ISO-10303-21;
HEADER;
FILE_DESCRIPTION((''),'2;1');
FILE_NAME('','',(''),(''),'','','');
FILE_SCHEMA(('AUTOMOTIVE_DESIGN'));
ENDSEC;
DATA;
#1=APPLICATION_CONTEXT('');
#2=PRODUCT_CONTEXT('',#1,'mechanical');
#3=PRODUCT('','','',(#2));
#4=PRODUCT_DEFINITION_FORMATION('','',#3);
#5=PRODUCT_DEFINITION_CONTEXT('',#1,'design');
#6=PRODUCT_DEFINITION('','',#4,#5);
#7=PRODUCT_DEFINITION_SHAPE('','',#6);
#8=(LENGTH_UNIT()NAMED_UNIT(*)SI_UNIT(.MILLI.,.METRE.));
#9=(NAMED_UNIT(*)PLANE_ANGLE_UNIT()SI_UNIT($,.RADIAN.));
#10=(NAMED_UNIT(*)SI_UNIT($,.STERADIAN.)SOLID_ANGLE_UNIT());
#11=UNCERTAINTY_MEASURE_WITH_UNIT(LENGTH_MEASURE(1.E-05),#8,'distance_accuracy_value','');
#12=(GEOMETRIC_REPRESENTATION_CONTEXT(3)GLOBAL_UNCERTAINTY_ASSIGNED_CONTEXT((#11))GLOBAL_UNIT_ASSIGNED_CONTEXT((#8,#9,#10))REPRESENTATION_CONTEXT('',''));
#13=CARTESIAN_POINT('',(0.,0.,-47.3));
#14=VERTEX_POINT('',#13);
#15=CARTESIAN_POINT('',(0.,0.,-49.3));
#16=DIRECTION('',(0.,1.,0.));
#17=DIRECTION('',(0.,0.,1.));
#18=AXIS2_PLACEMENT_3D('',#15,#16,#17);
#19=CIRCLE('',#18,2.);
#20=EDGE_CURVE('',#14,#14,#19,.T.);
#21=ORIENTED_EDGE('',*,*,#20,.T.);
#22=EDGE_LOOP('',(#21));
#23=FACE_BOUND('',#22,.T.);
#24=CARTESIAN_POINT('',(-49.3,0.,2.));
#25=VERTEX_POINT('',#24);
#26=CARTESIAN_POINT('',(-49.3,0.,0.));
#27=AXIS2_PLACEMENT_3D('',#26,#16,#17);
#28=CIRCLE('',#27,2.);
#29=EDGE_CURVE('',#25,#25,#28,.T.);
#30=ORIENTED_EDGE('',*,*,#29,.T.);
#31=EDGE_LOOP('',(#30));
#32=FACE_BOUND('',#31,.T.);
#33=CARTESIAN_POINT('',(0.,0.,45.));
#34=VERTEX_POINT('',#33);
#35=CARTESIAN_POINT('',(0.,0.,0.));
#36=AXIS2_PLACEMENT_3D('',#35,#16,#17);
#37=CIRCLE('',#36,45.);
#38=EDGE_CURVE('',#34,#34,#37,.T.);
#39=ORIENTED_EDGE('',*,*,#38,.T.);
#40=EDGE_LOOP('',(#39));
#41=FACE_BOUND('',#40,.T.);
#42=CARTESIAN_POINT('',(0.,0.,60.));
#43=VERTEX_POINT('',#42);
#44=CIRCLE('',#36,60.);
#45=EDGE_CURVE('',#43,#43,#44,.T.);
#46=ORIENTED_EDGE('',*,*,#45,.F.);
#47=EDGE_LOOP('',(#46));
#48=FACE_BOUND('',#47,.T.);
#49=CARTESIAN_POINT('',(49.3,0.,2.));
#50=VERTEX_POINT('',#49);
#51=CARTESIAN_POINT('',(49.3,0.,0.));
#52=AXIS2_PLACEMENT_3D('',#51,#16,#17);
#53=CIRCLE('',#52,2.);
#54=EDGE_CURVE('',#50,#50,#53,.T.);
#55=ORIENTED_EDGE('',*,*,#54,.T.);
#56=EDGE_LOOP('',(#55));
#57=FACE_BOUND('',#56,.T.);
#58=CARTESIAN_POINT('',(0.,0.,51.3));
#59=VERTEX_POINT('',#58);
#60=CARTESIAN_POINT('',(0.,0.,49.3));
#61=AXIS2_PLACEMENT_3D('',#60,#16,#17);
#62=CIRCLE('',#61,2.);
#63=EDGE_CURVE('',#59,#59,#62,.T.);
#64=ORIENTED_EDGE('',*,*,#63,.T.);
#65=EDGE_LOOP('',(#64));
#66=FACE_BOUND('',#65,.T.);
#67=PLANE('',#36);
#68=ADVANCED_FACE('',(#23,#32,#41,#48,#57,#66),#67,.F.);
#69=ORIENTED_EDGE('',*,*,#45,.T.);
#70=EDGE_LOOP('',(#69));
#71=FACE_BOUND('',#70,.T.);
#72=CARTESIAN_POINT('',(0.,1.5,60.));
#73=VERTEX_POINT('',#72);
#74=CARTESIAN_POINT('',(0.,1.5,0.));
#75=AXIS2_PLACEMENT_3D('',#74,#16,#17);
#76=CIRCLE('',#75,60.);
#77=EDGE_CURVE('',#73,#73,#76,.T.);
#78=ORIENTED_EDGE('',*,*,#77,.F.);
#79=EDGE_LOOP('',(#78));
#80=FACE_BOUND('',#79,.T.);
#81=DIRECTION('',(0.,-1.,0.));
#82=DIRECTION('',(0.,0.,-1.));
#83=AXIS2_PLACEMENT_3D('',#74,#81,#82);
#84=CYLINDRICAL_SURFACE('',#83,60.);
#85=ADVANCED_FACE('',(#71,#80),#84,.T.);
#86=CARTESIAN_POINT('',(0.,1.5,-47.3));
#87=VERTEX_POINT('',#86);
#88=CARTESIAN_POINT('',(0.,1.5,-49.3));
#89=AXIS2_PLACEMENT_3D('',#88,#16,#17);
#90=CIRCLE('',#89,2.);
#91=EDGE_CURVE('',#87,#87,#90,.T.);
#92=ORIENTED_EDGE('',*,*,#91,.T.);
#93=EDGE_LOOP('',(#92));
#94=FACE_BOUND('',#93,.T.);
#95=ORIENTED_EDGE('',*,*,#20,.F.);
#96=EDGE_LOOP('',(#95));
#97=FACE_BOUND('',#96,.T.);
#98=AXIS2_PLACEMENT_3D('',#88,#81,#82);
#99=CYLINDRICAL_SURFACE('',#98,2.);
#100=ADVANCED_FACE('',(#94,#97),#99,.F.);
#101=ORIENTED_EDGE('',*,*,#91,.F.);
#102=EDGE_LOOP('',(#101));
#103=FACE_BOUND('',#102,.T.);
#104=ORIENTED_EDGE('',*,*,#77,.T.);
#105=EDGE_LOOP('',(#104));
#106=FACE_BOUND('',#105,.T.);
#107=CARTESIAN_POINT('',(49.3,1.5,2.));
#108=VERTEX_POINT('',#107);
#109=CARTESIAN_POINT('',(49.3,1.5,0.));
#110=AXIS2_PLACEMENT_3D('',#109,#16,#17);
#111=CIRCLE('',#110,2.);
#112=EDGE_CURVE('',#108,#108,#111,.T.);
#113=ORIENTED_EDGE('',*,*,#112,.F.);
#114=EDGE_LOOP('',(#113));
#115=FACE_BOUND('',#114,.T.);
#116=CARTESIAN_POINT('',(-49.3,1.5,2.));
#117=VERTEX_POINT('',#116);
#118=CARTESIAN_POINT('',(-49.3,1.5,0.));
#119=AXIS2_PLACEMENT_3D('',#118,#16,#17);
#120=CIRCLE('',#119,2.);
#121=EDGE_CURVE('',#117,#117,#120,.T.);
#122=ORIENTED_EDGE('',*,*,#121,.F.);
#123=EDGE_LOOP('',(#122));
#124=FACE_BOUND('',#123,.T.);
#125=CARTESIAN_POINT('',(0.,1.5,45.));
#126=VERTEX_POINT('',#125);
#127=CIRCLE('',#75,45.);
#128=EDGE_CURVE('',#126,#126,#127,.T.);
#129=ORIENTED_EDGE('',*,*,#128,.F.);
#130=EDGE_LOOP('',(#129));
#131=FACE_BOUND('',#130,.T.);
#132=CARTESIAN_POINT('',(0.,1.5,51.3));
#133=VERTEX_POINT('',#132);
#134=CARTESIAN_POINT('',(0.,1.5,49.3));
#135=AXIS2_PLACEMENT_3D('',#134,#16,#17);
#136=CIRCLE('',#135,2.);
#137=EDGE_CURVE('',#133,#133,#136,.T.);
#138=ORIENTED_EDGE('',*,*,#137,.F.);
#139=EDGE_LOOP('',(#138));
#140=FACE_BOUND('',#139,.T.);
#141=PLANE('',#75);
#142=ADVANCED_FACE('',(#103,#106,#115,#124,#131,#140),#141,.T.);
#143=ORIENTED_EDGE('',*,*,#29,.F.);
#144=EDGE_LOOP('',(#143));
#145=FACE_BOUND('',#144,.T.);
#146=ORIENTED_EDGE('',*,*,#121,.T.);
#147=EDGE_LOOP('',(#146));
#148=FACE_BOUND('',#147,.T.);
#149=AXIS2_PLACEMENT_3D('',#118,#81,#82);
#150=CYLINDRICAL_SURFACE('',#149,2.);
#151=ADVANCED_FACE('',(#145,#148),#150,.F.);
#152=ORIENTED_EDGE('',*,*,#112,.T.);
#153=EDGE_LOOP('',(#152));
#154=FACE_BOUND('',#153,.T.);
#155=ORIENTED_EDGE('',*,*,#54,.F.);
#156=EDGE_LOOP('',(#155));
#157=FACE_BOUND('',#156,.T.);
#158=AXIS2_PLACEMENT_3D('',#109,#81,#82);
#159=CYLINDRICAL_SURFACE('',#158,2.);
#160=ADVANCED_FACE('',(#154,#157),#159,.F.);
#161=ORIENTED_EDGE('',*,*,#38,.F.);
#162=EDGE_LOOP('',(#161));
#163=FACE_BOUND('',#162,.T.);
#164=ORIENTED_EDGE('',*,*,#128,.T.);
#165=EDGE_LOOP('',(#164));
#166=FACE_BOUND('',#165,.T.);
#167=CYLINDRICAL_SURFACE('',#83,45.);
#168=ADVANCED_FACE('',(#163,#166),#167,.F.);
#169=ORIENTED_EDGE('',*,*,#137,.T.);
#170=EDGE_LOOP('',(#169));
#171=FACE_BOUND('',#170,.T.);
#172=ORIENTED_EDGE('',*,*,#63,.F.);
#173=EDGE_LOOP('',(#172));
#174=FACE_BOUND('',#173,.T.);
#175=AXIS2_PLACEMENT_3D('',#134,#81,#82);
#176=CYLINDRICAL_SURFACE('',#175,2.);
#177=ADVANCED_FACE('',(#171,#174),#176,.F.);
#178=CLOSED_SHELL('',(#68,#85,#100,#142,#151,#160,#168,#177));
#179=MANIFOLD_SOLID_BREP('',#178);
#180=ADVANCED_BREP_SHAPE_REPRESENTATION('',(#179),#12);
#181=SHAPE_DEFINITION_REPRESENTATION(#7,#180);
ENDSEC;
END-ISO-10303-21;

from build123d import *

# Parameters (mm, degrees)
SKETCH1_R           = 60
SKETCH1_R_2         = 45
SKETCH1_R_3         = 2
BOSS_EXTRUDE1_DEPTH = 1.5


with BuildPart() as part:
    # Sketch1 → Boss-Extrude1 (new body)
    with BuildSketch(Plane(origin=(0, 0, 0), x_dir=(1, 0, 0), z_dir=(0, 1, 0))):
        with Locations(Location((0, 0, 0), (0, 0, 270))):
            Circle(SKETCH1_R)
        with Locations(Location((0, 0, 0), (0, 0, 270))):
            Circle(SKETCH1_R_2, mode=Mode.SUBTRACT)
        with Locations(Location((0, 49.3, 0), (0, 0, 270))):
            Circle(SKETCH1_R_3, mode=Mode.SUBTRACT)
        with Locations(Location((49.3, 0, 0), (0, 0, 270))):
            Circle(SKETCH1_R_3, mode=Mode.SUBTRACT)
        with Locations(Location((0, -49.3, 0), (0, 0, 270))):
            Circle(SKETCH1_R_3, mode=Mode.SUBTRACT)
        with Locations(Location((-49.3, 0, 0), (0, 0, 270))):
            Circle(SKETCH1_R_3, mode=Mode.SUBTRACT)
    extrude(amount=BOSS_EXTRUDE1_DEPTH)


solid = part.part
